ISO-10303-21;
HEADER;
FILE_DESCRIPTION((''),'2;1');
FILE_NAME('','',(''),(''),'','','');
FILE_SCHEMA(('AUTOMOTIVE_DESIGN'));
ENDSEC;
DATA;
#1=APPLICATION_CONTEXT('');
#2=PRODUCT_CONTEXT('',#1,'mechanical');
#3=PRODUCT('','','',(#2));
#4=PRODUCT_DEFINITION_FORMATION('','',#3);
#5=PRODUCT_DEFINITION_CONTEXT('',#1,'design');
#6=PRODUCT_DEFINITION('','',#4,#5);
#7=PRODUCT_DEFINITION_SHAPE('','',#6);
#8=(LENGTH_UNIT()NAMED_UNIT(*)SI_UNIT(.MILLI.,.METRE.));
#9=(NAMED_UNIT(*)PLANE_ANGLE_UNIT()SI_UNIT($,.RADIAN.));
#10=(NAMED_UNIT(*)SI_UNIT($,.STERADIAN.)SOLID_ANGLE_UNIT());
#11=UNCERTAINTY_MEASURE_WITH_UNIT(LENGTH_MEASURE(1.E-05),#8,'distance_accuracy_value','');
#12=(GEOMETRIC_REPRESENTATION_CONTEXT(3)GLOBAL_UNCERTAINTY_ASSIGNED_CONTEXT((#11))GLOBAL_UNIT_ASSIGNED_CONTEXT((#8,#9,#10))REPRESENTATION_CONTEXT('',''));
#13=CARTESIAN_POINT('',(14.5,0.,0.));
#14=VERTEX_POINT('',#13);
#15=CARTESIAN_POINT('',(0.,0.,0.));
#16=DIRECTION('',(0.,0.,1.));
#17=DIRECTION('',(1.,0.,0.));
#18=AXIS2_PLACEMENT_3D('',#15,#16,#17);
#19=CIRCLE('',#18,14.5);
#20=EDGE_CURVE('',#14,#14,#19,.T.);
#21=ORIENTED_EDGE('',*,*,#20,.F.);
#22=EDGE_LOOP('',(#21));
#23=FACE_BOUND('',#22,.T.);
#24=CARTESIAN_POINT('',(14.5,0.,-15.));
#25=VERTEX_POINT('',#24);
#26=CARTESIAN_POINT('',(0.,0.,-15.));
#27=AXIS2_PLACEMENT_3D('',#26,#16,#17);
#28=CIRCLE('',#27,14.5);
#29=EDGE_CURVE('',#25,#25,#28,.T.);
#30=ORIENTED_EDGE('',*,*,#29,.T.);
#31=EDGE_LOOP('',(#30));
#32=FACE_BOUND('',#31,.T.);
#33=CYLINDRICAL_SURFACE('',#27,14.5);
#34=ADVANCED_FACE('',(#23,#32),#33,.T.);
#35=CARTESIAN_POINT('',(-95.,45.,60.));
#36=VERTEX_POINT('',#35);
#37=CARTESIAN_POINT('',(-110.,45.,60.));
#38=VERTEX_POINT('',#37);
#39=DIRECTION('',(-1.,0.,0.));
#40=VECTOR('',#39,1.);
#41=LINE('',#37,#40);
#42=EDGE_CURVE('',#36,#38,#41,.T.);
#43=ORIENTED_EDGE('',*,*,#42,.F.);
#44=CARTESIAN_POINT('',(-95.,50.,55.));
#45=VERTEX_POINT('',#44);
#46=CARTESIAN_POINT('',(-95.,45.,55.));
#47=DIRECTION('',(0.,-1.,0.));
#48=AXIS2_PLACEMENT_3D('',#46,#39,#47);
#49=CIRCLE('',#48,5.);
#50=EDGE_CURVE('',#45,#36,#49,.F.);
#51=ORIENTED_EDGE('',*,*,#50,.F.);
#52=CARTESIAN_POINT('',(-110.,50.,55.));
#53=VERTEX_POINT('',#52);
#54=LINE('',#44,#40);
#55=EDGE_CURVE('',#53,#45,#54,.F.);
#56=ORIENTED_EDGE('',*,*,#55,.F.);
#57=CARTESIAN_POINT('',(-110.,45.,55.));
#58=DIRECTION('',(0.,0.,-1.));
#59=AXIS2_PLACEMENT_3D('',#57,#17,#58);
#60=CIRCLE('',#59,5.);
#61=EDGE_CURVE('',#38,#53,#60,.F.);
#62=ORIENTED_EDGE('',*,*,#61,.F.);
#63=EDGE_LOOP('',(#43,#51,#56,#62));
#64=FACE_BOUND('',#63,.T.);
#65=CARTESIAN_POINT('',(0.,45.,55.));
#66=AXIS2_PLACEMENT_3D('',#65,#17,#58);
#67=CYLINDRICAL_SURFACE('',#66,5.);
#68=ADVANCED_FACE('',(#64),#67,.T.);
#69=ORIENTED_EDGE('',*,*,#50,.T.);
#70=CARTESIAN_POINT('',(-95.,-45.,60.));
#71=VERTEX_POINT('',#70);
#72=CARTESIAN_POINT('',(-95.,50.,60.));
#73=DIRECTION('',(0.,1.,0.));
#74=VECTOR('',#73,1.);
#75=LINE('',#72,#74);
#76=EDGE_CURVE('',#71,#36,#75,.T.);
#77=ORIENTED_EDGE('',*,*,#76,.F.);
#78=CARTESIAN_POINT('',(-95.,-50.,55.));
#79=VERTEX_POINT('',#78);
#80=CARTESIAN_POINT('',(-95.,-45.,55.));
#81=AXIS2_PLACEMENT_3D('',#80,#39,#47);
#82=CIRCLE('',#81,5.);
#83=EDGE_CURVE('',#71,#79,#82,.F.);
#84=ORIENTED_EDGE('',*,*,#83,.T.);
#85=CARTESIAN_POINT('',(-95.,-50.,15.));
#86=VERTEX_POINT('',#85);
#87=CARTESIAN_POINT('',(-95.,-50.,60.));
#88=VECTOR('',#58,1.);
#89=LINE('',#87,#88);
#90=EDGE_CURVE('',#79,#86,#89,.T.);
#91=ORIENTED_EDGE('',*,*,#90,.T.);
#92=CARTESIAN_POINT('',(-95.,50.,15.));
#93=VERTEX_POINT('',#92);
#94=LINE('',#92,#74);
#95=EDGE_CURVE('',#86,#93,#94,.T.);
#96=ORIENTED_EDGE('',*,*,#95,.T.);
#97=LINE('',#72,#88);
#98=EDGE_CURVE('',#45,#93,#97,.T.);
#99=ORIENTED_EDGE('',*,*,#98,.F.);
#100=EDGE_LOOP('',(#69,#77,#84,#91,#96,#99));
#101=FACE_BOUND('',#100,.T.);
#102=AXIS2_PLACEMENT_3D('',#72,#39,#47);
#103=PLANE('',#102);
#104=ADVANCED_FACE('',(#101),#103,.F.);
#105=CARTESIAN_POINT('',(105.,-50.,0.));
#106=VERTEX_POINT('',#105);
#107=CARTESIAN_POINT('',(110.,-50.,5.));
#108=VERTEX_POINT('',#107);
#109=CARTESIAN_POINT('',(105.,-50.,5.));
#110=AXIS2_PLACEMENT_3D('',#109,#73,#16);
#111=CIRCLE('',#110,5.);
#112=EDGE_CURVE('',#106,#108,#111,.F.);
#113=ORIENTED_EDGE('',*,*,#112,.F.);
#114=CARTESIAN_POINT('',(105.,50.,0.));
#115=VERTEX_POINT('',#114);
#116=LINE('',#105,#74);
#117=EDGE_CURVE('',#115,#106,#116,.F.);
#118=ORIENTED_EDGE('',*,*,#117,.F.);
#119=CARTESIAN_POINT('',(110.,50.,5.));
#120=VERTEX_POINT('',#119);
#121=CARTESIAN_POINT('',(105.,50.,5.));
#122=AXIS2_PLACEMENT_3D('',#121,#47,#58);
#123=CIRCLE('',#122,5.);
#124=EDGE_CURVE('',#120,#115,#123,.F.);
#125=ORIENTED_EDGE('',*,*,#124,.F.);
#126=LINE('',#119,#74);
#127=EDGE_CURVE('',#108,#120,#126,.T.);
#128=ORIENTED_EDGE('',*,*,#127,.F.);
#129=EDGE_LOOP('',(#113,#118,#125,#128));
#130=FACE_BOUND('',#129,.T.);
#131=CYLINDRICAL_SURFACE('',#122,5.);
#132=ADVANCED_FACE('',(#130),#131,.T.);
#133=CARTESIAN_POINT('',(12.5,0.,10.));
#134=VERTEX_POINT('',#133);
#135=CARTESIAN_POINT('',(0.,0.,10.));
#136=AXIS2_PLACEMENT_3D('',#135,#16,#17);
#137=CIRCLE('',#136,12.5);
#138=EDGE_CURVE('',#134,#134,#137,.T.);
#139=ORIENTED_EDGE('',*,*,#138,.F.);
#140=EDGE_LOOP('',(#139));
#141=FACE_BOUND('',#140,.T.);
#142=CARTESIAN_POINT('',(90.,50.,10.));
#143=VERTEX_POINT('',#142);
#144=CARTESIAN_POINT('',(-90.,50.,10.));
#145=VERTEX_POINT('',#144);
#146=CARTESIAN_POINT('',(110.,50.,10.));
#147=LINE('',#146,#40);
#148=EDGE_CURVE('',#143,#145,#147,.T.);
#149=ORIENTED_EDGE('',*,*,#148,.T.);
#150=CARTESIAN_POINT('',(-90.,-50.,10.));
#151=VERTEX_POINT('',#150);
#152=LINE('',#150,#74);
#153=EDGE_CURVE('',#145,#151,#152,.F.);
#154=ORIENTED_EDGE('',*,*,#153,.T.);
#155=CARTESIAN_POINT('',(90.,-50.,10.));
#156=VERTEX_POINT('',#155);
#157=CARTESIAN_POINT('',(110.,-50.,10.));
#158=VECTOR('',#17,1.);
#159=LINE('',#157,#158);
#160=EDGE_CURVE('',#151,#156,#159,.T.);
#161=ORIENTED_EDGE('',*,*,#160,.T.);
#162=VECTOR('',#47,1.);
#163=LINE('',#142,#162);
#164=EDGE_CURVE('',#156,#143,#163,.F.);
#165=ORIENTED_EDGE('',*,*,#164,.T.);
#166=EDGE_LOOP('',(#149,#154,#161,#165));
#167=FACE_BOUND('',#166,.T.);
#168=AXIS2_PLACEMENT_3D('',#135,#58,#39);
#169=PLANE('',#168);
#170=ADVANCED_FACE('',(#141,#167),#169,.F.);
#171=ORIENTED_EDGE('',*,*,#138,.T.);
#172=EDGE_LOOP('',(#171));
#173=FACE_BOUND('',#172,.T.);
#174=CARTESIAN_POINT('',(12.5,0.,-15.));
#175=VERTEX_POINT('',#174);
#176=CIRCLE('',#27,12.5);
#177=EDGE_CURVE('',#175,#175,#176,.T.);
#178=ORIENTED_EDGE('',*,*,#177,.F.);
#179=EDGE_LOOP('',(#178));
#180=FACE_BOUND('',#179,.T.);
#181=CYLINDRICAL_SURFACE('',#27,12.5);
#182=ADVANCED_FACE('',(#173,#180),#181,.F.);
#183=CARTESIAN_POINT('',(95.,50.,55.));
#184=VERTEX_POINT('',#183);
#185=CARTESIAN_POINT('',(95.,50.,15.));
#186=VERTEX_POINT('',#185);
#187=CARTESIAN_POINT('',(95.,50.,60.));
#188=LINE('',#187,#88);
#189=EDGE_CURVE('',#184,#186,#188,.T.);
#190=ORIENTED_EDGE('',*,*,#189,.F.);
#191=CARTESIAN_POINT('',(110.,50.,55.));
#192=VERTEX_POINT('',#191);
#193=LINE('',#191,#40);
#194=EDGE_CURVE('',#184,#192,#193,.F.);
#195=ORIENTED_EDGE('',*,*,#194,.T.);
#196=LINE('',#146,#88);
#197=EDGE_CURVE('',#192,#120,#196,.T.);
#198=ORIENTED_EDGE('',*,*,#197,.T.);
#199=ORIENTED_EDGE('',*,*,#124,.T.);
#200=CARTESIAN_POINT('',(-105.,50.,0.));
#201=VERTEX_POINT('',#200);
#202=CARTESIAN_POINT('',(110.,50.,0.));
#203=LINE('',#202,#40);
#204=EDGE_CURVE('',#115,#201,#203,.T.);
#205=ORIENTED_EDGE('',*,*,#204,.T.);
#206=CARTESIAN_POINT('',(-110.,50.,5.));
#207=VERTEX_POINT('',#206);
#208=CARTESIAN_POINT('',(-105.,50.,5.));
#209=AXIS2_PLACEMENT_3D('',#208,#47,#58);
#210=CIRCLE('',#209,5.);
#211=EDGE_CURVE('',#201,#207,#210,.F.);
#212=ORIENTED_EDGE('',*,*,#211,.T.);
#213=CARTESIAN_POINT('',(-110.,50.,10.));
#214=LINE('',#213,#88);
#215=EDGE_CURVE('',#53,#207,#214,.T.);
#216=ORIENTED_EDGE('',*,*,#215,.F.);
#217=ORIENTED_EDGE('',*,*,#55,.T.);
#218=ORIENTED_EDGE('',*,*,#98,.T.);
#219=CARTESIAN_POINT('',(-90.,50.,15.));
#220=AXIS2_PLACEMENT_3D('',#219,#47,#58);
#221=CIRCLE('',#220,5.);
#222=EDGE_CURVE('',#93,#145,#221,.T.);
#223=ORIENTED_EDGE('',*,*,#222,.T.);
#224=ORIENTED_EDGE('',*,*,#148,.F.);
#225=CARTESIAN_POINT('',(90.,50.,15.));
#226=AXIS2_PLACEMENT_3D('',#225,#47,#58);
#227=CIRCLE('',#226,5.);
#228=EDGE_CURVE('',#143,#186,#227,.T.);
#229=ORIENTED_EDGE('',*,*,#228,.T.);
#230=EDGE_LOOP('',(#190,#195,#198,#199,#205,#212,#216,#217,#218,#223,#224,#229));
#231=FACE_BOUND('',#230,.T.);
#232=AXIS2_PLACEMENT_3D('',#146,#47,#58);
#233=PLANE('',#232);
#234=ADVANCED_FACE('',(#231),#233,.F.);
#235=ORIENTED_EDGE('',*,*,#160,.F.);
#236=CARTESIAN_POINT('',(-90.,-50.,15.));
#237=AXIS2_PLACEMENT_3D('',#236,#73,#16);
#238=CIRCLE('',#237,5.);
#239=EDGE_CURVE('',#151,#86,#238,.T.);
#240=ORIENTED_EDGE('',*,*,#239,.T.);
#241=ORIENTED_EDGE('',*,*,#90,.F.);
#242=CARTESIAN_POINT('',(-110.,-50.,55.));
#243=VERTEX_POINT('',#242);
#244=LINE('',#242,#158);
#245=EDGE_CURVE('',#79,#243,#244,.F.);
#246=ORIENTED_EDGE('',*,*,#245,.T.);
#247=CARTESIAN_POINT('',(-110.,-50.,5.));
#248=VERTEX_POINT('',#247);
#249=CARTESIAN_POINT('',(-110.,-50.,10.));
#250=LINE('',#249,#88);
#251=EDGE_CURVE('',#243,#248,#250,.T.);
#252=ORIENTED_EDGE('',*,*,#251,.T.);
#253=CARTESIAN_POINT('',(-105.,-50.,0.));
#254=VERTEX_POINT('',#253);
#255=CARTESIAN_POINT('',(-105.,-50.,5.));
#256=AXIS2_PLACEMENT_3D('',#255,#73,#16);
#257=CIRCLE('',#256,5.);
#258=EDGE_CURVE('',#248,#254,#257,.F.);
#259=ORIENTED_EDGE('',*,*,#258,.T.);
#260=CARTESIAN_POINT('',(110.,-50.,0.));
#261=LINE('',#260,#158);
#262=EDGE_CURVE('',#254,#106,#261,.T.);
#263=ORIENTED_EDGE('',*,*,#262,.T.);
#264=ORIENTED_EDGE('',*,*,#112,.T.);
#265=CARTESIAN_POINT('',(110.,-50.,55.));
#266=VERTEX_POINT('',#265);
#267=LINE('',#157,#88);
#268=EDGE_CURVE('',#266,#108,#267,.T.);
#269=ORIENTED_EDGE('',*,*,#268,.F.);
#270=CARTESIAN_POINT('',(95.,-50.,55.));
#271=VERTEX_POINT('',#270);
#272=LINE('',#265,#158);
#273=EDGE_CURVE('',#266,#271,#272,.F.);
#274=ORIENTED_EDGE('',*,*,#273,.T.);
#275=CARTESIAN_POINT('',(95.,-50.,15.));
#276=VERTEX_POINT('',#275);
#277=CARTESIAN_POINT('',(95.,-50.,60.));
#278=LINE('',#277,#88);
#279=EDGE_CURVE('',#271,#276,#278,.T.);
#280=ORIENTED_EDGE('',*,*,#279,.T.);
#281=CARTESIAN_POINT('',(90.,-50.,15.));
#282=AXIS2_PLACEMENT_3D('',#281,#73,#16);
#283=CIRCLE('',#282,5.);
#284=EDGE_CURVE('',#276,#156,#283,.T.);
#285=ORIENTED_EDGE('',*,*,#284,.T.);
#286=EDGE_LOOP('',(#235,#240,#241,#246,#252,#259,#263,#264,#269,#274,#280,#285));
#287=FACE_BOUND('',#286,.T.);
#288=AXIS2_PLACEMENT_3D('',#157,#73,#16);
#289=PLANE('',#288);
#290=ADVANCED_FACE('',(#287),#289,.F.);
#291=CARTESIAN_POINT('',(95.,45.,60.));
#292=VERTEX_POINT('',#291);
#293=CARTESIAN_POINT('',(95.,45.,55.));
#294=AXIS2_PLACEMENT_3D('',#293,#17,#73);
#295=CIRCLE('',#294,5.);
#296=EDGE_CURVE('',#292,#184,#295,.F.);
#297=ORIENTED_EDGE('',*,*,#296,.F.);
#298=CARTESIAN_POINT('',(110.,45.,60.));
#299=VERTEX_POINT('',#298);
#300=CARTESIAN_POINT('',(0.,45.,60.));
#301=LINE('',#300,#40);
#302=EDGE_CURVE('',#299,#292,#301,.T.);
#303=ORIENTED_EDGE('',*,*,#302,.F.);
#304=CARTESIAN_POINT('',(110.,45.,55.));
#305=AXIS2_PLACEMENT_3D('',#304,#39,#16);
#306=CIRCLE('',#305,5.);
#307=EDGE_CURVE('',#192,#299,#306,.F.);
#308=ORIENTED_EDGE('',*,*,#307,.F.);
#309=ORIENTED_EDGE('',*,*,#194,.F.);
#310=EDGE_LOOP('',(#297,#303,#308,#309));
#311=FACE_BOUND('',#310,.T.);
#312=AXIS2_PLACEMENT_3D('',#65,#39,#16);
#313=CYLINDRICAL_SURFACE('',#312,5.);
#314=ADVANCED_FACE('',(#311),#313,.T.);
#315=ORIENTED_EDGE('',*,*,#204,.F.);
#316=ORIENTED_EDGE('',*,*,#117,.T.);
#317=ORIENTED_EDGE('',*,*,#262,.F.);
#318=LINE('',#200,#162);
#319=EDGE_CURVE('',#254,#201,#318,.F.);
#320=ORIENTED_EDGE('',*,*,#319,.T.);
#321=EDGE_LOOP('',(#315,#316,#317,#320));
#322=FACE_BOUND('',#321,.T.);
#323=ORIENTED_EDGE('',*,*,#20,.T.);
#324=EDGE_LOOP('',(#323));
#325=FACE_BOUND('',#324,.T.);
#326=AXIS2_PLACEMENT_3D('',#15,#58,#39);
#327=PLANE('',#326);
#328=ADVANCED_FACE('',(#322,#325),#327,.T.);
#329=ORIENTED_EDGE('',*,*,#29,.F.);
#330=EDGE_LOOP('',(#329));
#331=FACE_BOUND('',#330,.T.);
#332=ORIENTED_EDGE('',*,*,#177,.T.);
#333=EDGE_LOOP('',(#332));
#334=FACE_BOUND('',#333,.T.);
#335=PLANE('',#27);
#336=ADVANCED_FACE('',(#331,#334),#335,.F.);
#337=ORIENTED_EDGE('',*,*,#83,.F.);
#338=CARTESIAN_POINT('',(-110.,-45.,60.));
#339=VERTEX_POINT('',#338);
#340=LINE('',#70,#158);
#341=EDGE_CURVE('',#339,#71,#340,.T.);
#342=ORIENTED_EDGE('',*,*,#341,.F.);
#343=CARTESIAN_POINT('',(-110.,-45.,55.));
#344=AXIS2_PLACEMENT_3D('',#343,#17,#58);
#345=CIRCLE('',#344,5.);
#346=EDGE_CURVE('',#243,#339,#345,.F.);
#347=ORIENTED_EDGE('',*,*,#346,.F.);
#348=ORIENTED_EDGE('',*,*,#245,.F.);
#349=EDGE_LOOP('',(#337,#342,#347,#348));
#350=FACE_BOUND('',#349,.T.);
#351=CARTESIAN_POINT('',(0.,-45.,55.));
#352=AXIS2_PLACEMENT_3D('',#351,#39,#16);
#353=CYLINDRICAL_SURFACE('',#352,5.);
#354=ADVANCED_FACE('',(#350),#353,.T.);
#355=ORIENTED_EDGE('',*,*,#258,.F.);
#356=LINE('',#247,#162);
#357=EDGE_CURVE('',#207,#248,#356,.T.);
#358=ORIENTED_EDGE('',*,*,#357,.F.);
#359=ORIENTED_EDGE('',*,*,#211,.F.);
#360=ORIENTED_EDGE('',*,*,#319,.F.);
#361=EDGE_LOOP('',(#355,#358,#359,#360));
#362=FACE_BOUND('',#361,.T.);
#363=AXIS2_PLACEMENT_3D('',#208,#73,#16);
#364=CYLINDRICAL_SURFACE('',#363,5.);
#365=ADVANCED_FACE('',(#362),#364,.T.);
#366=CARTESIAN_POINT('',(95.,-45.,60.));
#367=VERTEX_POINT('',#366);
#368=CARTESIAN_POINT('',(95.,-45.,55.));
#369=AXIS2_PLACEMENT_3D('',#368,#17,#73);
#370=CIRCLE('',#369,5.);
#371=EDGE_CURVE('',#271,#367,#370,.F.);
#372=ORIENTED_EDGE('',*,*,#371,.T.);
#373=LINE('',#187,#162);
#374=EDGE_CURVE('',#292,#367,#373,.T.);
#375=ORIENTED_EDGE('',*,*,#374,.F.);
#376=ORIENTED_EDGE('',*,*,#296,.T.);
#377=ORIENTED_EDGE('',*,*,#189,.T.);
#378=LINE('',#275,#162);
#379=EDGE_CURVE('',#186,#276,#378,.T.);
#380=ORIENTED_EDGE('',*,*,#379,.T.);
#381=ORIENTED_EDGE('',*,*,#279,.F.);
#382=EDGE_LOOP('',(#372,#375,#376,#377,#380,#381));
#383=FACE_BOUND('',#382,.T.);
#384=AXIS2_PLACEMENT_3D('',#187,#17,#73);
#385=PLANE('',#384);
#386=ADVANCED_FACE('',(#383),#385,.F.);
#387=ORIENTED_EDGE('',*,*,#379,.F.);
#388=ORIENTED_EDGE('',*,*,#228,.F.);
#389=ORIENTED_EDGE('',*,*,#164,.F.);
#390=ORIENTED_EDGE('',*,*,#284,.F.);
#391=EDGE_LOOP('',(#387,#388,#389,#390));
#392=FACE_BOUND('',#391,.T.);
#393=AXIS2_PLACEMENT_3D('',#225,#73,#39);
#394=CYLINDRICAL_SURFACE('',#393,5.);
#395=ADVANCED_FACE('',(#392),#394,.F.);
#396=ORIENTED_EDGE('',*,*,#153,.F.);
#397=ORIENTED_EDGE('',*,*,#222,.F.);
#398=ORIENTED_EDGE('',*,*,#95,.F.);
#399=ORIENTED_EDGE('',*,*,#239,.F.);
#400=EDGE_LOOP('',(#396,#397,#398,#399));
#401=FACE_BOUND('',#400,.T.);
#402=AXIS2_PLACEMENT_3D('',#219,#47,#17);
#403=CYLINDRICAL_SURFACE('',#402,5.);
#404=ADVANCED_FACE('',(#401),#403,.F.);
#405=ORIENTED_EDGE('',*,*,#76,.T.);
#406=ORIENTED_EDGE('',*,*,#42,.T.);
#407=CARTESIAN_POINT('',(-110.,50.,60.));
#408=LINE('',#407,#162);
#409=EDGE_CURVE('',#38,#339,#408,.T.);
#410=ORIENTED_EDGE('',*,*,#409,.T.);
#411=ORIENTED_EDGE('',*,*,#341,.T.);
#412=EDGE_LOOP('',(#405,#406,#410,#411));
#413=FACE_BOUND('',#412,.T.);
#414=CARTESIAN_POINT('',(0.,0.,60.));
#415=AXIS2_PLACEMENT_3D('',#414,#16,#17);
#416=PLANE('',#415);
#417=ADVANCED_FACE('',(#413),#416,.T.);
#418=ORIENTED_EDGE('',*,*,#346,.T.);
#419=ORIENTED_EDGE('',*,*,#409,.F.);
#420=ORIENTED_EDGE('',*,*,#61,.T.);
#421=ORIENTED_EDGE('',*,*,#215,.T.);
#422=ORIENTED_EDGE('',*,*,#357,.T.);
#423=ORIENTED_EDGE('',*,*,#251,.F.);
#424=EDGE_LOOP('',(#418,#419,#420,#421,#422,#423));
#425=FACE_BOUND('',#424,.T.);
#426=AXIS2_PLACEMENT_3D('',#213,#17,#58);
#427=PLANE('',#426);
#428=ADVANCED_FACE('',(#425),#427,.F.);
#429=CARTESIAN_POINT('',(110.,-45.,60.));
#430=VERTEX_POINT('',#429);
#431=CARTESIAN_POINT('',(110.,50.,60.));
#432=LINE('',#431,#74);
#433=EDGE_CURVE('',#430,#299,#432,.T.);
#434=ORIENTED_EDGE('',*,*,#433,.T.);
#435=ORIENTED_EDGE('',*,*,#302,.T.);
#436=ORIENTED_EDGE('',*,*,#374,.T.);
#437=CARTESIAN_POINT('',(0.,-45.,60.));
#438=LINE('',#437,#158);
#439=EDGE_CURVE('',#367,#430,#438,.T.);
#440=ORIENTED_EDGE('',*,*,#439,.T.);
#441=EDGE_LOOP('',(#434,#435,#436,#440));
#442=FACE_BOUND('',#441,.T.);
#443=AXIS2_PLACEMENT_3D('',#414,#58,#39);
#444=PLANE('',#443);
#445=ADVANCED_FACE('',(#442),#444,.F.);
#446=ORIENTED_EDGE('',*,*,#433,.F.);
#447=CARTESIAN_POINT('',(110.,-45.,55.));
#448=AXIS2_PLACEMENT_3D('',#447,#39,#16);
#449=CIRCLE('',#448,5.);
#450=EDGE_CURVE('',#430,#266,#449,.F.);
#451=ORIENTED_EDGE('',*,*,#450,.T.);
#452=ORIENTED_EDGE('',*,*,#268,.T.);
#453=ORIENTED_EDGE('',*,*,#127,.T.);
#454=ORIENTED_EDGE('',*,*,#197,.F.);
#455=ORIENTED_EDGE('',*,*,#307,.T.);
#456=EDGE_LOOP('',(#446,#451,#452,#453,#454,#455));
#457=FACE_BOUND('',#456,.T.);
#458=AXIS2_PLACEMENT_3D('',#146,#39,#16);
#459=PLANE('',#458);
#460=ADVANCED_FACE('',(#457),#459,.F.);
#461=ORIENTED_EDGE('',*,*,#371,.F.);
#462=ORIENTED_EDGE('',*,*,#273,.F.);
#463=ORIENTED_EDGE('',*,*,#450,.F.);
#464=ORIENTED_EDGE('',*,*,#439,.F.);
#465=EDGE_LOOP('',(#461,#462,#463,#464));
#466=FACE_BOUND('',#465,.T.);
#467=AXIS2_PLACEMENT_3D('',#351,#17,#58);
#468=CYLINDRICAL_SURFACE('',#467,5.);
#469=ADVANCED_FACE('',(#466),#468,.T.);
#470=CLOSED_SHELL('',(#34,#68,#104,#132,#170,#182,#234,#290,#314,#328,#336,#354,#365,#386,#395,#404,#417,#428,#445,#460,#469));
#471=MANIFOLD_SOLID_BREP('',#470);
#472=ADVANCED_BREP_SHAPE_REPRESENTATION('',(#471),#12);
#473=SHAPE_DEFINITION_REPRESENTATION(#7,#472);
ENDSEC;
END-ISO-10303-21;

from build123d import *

# Parameters (mm, degrees)
SKETCH_1_R        = 14.5
SKETCH_1_R_2      = 12.5
EXTRUDE_1_DEPTH   = 15
EXTRUDE_START     = 10
SKETCH_1_3_W      = 220
SKETCH_1_3_H      = 100
SKETCH_1_3_R      = 12.5
EXTRUDE_1_2_DEPTH = 10
SKETCH_2_W        = 15
SKETCH_2_H        = 100
EXTRUDE_2_DEPTH   = 50
FILLET_1_R        = 5


with BuildPart() as part:
    # 草图1 → Extrude 1 (new body)
    with BuildSketch(Plane.XY):
        Circle(SKETCH_1_R)
        Circle(SKETCH_1_R_2, mode=Mode.SUBTRACT)
    extrude(amount=-EXTRUDE_1_DEPTH)

    # 草图1<3> → Extrude 1 2 (add)
    with BuildSketch(Plane.XY.offset(EXTRUDE_START)):
        Rectangle(SKETCH_1_3_W, SKETCH_1_3_H)
        Circle(SKETCH_1_3_R, mode=Mode.SUBTRACT)
    extrude(amount=-EXTRUDE_1_2_DEPTH)

    # 草图2 → 凸台-拉伸2 (add)
    with BuildSketch(Plane.XY.offset(10)):
        with Locations((-102.5, 0)):
            Rectangle(SKETCH_2_W, SKETCH_2_H)
        with Locations((102.5, 0)):
            Rectangle(SKETCH_2_W, SKETCH_2_H)
    extrude(amount=EXTRUDE_2_DEPTH)

    # 圆角1
    fillet_1_edges = [part.edges().sort_by_distance(p)[0] for p in [
        (-110, 0, 0),
        (110, 0, 0),
        (-95, 0, 10),
        (-102.5, -50, 60),
        (-102.5, 50, 60),
        (95, 0, 10),
        (102.5, 50, 60),
        (102.5, -50, 60),
    ]]
    fillet(fillet_1_edges, radius=FILLET_1_R)


solid = part.part
